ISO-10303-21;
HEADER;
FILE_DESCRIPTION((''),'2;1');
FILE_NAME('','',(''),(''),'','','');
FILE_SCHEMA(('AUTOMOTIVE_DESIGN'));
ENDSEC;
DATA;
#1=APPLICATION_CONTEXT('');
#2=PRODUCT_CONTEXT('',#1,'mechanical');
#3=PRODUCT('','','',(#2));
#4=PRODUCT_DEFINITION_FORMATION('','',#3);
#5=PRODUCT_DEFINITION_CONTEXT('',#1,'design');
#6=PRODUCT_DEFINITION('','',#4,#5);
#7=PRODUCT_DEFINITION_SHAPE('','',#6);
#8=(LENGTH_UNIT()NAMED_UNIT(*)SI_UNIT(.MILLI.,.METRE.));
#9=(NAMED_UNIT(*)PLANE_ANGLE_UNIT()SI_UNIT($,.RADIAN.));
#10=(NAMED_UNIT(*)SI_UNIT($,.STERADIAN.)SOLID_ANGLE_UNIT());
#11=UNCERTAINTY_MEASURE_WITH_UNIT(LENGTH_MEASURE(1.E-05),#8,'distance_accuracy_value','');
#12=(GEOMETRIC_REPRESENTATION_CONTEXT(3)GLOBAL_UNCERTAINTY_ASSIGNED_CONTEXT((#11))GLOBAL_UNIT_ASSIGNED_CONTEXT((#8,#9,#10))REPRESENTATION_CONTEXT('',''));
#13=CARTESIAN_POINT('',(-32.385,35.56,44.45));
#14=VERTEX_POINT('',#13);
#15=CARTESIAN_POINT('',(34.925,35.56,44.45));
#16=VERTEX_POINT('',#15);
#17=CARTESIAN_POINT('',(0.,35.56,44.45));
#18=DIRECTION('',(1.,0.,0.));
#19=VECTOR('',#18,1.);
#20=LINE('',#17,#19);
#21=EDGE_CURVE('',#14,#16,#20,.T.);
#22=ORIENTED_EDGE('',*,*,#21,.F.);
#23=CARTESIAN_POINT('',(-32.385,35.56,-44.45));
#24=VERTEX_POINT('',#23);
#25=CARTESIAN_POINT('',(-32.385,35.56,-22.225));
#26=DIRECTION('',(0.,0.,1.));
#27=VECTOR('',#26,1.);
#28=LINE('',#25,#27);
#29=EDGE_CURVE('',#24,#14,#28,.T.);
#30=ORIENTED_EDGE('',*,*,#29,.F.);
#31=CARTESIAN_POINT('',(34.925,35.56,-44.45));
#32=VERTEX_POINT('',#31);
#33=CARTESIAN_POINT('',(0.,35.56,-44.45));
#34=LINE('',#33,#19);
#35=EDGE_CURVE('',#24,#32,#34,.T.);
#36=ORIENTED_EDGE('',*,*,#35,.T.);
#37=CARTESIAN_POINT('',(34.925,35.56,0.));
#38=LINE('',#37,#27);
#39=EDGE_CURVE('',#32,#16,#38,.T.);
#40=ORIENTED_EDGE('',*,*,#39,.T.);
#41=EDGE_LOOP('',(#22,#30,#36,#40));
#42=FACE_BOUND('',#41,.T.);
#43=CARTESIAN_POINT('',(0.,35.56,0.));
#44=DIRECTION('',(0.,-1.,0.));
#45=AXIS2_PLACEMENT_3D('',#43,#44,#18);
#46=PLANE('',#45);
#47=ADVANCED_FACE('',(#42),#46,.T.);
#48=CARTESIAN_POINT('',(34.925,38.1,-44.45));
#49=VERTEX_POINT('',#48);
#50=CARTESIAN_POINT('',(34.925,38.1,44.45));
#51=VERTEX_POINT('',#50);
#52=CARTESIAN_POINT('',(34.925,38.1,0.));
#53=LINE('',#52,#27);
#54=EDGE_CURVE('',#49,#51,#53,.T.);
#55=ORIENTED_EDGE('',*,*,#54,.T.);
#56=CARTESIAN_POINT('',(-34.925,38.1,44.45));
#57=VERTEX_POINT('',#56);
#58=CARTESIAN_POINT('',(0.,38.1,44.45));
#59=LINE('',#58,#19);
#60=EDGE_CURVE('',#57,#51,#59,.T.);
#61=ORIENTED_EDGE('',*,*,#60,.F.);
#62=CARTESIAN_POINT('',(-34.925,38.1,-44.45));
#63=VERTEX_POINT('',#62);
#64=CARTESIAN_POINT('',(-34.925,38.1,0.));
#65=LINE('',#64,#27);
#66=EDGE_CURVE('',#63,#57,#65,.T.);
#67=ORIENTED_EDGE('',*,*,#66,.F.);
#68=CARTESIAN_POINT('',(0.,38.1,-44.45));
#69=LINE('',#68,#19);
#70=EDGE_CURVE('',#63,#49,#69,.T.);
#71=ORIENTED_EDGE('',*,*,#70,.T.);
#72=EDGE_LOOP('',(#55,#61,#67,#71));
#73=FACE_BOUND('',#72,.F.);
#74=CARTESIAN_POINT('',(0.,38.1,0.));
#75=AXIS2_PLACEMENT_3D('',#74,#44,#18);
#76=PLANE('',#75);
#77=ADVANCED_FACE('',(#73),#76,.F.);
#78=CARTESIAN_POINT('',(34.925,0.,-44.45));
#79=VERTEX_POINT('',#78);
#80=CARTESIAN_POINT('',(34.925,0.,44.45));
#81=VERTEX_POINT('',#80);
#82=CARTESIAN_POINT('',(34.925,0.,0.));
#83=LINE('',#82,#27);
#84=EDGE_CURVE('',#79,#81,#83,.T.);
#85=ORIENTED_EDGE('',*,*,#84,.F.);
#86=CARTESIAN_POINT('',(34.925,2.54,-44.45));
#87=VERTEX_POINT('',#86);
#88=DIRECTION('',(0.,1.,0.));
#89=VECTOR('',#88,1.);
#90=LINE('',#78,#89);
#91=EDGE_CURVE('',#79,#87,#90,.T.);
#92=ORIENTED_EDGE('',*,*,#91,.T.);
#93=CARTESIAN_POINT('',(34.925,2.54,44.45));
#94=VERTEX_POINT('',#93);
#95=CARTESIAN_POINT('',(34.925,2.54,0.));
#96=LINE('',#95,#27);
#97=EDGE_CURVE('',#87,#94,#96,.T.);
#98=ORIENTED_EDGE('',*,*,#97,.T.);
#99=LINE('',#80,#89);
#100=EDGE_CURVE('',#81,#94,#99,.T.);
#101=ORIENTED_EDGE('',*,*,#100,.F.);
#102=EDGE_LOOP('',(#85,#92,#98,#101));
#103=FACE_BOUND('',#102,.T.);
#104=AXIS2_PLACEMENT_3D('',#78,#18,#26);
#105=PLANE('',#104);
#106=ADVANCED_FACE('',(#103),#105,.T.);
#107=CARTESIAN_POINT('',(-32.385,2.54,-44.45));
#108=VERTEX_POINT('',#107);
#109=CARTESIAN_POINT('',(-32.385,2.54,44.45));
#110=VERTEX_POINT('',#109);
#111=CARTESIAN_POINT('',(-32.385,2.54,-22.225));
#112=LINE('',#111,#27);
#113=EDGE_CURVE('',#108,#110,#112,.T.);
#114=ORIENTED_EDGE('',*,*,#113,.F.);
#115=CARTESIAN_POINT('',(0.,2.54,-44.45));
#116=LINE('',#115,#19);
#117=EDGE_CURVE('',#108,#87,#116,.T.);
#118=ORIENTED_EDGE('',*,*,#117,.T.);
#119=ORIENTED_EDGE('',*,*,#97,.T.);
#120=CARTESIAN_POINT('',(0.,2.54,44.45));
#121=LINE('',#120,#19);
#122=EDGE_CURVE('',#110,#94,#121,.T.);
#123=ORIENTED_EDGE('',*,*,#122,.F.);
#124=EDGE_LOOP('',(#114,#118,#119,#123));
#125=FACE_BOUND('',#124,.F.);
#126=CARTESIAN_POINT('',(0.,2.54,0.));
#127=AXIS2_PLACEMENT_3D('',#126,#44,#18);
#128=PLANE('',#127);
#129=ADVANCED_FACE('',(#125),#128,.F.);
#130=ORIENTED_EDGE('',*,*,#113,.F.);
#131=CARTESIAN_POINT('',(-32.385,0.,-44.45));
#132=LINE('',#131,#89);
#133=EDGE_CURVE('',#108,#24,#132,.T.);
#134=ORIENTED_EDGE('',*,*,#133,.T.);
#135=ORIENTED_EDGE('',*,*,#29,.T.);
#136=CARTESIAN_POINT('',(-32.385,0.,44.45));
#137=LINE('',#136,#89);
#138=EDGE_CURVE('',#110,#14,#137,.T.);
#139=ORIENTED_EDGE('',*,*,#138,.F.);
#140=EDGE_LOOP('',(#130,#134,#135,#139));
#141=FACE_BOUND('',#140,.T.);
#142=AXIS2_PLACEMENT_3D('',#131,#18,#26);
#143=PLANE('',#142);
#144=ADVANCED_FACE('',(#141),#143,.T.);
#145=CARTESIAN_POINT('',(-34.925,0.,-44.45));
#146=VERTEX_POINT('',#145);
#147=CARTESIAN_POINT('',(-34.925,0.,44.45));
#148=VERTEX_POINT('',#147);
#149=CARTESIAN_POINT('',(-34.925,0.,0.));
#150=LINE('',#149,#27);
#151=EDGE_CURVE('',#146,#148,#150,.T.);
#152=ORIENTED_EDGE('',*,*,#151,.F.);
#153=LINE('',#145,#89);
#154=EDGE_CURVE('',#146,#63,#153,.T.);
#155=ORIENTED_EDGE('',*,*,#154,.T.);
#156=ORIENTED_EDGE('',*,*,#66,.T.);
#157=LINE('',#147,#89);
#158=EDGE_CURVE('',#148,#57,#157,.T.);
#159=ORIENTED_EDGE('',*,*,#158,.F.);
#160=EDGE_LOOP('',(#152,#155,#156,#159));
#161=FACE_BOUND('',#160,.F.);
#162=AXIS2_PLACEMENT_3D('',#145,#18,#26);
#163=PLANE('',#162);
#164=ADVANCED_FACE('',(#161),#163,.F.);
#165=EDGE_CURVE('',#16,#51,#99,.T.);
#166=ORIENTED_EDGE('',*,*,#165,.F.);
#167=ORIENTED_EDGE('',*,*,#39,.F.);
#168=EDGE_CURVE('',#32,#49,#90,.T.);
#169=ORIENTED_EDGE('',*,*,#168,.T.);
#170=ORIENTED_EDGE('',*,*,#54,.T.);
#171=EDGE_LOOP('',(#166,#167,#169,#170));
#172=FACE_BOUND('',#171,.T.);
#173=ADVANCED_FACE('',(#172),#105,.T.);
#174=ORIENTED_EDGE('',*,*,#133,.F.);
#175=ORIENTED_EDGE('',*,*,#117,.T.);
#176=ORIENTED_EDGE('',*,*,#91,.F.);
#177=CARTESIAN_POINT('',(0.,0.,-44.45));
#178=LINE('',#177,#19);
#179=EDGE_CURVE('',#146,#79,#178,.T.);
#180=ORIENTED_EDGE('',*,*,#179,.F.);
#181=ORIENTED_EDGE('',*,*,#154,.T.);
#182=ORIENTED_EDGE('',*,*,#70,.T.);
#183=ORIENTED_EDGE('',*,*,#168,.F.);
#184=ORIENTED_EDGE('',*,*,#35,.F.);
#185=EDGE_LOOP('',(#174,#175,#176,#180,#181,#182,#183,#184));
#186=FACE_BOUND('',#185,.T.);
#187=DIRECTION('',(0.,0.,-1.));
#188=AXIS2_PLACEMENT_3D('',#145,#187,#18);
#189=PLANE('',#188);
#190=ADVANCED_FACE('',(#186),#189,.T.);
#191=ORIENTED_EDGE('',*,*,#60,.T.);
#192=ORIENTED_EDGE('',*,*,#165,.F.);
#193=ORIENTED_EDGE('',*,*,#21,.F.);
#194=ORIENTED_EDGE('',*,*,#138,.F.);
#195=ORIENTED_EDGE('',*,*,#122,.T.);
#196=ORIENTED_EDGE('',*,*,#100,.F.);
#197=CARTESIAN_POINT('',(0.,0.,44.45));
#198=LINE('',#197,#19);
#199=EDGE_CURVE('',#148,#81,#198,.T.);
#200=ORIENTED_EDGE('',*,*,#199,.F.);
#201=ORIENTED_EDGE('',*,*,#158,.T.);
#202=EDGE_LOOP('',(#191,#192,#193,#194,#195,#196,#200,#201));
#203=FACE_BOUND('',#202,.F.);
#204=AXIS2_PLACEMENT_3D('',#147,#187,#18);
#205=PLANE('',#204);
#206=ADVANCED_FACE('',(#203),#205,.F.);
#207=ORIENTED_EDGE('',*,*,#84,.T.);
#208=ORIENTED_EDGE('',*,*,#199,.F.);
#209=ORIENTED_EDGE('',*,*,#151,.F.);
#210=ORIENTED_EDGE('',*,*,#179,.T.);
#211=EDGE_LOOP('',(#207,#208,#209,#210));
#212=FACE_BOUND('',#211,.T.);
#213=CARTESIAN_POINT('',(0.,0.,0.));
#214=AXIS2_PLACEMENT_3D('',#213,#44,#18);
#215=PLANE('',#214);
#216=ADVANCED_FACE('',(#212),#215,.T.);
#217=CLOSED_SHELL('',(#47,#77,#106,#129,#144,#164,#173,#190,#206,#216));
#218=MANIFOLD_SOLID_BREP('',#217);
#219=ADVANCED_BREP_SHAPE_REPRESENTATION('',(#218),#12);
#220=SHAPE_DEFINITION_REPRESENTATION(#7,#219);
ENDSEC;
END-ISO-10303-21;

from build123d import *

# Parameters (mm, degrees)
F0_W     = 69.85
F0_H     = 88.9
F1_DEPTH = 38.1
F2_T     = -2.54


with BuildPart() as f1:
    # F0 (on Front) → F1 (new body)
    with BuildSketch(Plane.XZ):
        Rectangle(F0_W, F0_H)
    extrude(amount=-F1_DEPTH)

    # F2
    f2_openings = [f1.faces().sort_by_distance(p)[0] for p in [
        (0, 19.05, 44.45),
        (34.925, 19.05, 0),
        (0, 19.05, -44.45),
    ]]
    offset(amount=F2_T, openings=f2_openings)


solid = f1.part
